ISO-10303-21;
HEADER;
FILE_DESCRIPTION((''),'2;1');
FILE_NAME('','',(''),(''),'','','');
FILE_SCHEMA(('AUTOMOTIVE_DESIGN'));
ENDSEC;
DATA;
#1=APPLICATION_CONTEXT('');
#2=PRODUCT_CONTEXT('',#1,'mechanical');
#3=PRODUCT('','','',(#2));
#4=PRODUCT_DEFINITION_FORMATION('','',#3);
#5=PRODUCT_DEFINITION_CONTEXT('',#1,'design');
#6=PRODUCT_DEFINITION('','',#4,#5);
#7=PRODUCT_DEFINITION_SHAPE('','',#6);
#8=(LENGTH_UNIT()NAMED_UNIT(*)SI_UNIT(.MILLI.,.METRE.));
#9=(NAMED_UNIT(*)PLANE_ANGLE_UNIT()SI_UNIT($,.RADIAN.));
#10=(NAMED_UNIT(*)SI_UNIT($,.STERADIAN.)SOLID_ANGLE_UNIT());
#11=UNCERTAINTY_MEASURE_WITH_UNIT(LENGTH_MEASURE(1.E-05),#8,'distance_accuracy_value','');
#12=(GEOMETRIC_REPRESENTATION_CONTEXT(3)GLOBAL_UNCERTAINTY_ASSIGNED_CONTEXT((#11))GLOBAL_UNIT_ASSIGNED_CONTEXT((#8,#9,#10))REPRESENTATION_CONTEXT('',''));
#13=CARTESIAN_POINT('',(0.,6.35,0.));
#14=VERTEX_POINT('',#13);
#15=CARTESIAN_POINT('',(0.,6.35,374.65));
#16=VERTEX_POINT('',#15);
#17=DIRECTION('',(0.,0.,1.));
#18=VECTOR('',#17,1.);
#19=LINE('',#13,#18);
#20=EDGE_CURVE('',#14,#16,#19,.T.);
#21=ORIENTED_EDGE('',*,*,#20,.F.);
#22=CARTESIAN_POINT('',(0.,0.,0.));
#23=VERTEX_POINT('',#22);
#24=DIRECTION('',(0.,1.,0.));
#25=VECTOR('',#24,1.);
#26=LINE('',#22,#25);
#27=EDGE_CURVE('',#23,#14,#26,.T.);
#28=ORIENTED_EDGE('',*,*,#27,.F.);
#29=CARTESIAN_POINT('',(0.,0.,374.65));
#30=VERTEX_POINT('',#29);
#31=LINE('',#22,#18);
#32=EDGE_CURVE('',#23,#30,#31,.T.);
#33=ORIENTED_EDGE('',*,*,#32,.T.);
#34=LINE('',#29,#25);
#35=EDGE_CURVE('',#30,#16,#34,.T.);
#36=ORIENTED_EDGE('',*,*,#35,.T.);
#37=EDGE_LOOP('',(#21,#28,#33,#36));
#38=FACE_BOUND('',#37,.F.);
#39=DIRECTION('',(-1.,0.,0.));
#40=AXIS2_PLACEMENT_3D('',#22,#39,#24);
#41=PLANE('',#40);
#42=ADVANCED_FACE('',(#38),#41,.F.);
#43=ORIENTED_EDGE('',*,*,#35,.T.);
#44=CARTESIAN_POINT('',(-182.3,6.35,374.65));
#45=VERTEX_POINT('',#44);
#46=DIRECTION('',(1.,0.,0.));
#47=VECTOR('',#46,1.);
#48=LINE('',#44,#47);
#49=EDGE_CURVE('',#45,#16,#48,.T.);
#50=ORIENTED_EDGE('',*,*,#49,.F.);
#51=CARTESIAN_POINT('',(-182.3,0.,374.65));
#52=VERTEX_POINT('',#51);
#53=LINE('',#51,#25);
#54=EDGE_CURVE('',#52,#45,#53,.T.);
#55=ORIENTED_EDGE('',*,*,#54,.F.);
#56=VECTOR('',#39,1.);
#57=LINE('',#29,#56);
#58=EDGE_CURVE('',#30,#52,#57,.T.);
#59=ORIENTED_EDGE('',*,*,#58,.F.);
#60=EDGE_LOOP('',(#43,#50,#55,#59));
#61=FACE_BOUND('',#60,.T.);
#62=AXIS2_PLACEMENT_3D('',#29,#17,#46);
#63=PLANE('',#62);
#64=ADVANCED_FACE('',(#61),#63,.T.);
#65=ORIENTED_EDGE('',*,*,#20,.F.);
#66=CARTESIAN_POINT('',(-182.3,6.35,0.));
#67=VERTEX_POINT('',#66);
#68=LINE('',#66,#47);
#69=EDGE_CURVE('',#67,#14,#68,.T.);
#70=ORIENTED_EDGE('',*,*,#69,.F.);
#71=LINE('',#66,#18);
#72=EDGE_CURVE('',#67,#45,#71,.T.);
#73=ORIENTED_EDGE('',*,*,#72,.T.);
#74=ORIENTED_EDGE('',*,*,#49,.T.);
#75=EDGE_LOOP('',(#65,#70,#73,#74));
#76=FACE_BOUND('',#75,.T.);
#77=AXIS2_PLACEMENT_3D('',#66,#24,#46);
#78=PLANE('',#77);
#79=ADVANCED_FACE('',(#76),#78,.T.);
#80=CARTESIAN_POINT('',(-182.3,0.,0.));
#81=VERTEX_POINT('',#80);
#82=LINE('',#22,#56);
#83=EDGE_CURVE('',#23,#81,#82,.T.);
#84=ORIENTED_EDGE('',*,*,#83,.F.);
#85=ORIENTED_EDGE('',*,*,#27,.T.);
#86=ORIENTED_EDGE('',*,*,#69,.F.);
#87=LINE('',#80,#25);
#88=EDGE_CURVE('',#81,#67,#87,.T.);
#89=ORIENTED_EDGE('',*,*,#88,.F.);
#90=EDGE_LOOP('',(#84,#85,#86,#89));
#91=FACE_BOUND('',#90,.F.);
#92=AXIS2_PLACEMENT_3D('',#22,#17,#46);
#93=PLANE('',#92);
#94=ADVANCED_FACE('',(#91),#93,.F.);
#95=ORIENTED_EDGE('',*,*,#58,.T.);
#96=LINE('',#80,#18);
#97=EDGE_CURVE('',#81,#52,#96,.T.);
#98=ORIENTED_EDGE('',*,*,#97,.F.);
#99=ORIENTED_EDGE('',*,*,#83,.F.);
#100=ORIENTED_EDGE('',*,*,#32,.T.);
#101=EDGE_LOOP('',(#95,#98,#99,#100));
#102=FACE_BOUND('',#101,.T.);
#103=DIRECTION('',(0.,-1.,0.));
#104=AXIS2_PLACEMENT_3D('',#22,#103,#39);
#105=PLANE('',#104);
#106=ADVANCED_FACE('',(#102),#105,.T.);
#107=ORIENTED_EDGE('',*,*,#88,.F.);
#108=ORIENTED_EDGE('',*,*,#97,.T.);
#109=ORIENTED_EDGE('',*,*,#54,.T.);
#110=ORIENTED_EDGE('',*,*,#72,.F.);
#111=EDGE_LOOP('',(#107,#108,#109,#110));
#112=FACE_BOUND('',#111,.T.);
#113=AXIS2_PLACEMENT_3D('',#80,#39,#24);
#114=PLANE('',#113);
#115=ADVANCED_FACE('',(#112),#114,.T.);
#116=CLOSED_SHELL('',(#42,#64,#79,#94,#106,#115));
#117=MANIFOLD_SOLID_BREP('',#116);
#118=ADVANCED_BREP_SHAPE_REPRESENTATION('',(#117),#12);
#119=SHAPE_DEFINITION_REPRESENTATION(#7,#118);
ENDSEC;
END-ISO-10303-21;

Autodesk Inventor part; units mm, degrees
ref_plane "YZ Plane" through (0, 0, 0) normal (1, 0, 0) x (0, 1, 0)
ref_plane "XZ Plane" through (0, 0, 0) normal (0, 1, 0) x (-1, 0, 0)
ref_plane "Work Plane1" through (0, 0, 0) normal (0, 0, 1) x (1, 0, 0)
sketch "Sketch1" plane through (0, 0, 0) normal (0, 0, 1) x (1, 0, 0)
  line L0 (-182.3, 6.35) -> (0, 6.35) projected
  line L1 (-182.3, 0) -> (-182.3, 6.35) projected
  line L2 (0, 0) -> (-182.3, 0) projected
  line L3 (0, 0) -> (0, 6.35) projected
ref_plane "Work Plane2" through (-188.6503, -0.0005, 374.65) normal (0, 0, -1) x (0, 1, 0)
extrude "Extrusion1" add sketch "Sketch1" along normal up to surface (374.65 mm away)
properties part number "Cover"
